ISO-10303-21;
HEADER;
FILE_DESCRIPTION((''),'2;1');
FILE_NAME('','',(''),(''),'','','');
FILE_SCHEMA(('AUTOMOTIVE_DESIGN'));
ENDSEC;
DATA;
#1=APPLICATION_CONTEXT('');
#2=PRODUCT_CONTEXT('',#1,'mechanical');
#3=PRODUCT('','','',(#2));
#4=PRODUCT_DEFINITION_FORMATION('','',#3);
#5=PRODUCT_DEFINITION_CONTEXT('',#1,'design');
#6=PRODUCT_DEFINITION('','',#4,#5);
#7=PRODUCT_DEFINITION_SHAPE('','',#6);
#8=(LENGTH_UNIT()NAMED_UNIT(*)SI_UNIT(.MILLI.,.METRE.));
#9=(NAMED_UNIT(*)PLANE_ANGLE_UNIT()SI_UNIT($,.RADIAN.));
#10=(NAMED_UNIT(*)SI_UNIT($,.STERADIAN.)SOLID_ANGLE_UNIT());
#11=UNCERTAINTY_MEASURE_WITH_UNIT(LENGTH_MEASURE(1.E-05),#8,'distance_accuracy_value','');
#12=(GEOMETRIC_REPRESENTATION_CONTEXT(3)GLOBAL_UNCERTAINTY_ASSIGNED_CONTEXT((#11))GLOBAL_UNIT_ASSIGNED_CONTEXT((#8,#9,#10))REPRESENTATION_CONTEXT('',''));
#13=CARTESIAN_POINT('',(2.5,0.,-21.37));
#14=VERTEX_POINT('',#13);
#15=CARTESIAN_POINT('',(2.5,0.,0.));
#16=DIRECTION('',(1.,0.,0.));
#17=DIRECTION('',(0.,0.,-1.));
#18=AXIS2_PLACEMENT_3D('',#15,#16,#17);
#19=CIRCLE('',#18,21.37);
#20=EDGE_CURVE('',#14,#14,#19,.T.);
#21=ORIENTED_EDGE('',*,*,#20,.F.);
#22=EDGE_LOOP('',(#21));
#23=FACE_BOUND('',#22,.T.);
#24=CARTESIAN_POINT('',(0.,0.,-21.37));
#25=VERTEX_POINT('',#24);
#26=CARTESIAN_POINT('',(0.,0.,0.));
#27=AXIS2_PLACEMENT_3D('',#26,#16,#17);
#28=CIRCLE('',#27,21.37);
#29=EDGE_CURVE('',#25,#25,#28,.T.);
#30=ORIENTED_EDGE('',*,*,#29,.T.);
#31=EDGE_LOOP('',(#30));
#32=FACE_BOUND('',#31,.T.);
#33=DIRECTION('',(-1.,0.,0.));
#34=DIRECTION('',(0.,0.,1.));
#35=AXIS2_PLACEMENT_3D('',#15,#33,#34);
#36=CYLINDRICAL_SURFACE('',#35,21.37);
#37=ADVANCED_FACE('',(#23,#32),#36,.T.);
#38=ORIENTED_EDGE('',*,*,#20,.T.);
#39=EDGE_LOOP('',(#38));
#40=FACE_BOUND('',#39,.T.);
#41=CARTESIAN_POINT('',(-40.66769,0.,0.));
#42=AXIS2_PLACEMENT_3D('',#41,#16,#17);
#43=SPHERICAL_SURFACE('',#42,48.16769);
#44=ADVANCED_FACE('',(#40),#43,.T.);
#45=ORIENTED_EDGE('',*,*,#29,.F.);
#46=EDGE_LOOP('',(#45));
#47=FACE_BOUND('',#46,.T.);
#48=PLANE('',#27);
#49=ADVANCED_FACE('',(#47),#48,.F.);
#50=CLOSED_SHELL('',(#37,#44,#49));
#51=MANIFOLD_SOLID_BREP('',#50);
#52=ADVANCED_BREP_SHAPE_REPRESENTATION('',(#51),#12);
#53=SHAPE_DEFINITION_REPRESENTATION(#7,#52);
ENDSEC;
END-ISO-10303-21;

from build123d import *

# Parameters (mm, degrees)
SKETCH1_R           = 21.37
BOSS_EXTRUDE1_DEPTH = 2.5
DOME1_FACE_RADIUS   = 21.37
DOME1_HEIGHT        = 5


with BuildPart() as part:
    # Sketch1 → Boss-Extrude1 (new body)
    with BuildSketch(Plane(origin=(0, 0, 0), x_dir=(0, 0, -1), z_dir=(1, 0, 0))):
        Circle(SKETCH1_R)
    extrude(amount=BOSS_EXTRUDE1_DEPTH)

    # Dome1: a dome of height H over a round flat face of radius A is a cap of a sphere of radius (A * A + H * H) / (2 * H)
    dome1_r = (DOME1_FACE_RADIUS * DOME1_FACE_RADIUS + DOME1_HEIGHT * DOME1_HEIGHT) / (2 * DOME1_HEIGHT)
    dome1_base = Plane((2.5, 0, 0), z_dir=(1, 0, 0))
    with Locations(dome1_base.offset(DOME1_HEIGHT - dome1_r)):
        dome1_ball = Sphere(dome1_r, mode=Mode.PRIVATE)
    add(split(dome1_ball, bisect_by=dome1_base, keep=Keep.TOP, mode=Mode.PRIVATE))


solid = part.part
